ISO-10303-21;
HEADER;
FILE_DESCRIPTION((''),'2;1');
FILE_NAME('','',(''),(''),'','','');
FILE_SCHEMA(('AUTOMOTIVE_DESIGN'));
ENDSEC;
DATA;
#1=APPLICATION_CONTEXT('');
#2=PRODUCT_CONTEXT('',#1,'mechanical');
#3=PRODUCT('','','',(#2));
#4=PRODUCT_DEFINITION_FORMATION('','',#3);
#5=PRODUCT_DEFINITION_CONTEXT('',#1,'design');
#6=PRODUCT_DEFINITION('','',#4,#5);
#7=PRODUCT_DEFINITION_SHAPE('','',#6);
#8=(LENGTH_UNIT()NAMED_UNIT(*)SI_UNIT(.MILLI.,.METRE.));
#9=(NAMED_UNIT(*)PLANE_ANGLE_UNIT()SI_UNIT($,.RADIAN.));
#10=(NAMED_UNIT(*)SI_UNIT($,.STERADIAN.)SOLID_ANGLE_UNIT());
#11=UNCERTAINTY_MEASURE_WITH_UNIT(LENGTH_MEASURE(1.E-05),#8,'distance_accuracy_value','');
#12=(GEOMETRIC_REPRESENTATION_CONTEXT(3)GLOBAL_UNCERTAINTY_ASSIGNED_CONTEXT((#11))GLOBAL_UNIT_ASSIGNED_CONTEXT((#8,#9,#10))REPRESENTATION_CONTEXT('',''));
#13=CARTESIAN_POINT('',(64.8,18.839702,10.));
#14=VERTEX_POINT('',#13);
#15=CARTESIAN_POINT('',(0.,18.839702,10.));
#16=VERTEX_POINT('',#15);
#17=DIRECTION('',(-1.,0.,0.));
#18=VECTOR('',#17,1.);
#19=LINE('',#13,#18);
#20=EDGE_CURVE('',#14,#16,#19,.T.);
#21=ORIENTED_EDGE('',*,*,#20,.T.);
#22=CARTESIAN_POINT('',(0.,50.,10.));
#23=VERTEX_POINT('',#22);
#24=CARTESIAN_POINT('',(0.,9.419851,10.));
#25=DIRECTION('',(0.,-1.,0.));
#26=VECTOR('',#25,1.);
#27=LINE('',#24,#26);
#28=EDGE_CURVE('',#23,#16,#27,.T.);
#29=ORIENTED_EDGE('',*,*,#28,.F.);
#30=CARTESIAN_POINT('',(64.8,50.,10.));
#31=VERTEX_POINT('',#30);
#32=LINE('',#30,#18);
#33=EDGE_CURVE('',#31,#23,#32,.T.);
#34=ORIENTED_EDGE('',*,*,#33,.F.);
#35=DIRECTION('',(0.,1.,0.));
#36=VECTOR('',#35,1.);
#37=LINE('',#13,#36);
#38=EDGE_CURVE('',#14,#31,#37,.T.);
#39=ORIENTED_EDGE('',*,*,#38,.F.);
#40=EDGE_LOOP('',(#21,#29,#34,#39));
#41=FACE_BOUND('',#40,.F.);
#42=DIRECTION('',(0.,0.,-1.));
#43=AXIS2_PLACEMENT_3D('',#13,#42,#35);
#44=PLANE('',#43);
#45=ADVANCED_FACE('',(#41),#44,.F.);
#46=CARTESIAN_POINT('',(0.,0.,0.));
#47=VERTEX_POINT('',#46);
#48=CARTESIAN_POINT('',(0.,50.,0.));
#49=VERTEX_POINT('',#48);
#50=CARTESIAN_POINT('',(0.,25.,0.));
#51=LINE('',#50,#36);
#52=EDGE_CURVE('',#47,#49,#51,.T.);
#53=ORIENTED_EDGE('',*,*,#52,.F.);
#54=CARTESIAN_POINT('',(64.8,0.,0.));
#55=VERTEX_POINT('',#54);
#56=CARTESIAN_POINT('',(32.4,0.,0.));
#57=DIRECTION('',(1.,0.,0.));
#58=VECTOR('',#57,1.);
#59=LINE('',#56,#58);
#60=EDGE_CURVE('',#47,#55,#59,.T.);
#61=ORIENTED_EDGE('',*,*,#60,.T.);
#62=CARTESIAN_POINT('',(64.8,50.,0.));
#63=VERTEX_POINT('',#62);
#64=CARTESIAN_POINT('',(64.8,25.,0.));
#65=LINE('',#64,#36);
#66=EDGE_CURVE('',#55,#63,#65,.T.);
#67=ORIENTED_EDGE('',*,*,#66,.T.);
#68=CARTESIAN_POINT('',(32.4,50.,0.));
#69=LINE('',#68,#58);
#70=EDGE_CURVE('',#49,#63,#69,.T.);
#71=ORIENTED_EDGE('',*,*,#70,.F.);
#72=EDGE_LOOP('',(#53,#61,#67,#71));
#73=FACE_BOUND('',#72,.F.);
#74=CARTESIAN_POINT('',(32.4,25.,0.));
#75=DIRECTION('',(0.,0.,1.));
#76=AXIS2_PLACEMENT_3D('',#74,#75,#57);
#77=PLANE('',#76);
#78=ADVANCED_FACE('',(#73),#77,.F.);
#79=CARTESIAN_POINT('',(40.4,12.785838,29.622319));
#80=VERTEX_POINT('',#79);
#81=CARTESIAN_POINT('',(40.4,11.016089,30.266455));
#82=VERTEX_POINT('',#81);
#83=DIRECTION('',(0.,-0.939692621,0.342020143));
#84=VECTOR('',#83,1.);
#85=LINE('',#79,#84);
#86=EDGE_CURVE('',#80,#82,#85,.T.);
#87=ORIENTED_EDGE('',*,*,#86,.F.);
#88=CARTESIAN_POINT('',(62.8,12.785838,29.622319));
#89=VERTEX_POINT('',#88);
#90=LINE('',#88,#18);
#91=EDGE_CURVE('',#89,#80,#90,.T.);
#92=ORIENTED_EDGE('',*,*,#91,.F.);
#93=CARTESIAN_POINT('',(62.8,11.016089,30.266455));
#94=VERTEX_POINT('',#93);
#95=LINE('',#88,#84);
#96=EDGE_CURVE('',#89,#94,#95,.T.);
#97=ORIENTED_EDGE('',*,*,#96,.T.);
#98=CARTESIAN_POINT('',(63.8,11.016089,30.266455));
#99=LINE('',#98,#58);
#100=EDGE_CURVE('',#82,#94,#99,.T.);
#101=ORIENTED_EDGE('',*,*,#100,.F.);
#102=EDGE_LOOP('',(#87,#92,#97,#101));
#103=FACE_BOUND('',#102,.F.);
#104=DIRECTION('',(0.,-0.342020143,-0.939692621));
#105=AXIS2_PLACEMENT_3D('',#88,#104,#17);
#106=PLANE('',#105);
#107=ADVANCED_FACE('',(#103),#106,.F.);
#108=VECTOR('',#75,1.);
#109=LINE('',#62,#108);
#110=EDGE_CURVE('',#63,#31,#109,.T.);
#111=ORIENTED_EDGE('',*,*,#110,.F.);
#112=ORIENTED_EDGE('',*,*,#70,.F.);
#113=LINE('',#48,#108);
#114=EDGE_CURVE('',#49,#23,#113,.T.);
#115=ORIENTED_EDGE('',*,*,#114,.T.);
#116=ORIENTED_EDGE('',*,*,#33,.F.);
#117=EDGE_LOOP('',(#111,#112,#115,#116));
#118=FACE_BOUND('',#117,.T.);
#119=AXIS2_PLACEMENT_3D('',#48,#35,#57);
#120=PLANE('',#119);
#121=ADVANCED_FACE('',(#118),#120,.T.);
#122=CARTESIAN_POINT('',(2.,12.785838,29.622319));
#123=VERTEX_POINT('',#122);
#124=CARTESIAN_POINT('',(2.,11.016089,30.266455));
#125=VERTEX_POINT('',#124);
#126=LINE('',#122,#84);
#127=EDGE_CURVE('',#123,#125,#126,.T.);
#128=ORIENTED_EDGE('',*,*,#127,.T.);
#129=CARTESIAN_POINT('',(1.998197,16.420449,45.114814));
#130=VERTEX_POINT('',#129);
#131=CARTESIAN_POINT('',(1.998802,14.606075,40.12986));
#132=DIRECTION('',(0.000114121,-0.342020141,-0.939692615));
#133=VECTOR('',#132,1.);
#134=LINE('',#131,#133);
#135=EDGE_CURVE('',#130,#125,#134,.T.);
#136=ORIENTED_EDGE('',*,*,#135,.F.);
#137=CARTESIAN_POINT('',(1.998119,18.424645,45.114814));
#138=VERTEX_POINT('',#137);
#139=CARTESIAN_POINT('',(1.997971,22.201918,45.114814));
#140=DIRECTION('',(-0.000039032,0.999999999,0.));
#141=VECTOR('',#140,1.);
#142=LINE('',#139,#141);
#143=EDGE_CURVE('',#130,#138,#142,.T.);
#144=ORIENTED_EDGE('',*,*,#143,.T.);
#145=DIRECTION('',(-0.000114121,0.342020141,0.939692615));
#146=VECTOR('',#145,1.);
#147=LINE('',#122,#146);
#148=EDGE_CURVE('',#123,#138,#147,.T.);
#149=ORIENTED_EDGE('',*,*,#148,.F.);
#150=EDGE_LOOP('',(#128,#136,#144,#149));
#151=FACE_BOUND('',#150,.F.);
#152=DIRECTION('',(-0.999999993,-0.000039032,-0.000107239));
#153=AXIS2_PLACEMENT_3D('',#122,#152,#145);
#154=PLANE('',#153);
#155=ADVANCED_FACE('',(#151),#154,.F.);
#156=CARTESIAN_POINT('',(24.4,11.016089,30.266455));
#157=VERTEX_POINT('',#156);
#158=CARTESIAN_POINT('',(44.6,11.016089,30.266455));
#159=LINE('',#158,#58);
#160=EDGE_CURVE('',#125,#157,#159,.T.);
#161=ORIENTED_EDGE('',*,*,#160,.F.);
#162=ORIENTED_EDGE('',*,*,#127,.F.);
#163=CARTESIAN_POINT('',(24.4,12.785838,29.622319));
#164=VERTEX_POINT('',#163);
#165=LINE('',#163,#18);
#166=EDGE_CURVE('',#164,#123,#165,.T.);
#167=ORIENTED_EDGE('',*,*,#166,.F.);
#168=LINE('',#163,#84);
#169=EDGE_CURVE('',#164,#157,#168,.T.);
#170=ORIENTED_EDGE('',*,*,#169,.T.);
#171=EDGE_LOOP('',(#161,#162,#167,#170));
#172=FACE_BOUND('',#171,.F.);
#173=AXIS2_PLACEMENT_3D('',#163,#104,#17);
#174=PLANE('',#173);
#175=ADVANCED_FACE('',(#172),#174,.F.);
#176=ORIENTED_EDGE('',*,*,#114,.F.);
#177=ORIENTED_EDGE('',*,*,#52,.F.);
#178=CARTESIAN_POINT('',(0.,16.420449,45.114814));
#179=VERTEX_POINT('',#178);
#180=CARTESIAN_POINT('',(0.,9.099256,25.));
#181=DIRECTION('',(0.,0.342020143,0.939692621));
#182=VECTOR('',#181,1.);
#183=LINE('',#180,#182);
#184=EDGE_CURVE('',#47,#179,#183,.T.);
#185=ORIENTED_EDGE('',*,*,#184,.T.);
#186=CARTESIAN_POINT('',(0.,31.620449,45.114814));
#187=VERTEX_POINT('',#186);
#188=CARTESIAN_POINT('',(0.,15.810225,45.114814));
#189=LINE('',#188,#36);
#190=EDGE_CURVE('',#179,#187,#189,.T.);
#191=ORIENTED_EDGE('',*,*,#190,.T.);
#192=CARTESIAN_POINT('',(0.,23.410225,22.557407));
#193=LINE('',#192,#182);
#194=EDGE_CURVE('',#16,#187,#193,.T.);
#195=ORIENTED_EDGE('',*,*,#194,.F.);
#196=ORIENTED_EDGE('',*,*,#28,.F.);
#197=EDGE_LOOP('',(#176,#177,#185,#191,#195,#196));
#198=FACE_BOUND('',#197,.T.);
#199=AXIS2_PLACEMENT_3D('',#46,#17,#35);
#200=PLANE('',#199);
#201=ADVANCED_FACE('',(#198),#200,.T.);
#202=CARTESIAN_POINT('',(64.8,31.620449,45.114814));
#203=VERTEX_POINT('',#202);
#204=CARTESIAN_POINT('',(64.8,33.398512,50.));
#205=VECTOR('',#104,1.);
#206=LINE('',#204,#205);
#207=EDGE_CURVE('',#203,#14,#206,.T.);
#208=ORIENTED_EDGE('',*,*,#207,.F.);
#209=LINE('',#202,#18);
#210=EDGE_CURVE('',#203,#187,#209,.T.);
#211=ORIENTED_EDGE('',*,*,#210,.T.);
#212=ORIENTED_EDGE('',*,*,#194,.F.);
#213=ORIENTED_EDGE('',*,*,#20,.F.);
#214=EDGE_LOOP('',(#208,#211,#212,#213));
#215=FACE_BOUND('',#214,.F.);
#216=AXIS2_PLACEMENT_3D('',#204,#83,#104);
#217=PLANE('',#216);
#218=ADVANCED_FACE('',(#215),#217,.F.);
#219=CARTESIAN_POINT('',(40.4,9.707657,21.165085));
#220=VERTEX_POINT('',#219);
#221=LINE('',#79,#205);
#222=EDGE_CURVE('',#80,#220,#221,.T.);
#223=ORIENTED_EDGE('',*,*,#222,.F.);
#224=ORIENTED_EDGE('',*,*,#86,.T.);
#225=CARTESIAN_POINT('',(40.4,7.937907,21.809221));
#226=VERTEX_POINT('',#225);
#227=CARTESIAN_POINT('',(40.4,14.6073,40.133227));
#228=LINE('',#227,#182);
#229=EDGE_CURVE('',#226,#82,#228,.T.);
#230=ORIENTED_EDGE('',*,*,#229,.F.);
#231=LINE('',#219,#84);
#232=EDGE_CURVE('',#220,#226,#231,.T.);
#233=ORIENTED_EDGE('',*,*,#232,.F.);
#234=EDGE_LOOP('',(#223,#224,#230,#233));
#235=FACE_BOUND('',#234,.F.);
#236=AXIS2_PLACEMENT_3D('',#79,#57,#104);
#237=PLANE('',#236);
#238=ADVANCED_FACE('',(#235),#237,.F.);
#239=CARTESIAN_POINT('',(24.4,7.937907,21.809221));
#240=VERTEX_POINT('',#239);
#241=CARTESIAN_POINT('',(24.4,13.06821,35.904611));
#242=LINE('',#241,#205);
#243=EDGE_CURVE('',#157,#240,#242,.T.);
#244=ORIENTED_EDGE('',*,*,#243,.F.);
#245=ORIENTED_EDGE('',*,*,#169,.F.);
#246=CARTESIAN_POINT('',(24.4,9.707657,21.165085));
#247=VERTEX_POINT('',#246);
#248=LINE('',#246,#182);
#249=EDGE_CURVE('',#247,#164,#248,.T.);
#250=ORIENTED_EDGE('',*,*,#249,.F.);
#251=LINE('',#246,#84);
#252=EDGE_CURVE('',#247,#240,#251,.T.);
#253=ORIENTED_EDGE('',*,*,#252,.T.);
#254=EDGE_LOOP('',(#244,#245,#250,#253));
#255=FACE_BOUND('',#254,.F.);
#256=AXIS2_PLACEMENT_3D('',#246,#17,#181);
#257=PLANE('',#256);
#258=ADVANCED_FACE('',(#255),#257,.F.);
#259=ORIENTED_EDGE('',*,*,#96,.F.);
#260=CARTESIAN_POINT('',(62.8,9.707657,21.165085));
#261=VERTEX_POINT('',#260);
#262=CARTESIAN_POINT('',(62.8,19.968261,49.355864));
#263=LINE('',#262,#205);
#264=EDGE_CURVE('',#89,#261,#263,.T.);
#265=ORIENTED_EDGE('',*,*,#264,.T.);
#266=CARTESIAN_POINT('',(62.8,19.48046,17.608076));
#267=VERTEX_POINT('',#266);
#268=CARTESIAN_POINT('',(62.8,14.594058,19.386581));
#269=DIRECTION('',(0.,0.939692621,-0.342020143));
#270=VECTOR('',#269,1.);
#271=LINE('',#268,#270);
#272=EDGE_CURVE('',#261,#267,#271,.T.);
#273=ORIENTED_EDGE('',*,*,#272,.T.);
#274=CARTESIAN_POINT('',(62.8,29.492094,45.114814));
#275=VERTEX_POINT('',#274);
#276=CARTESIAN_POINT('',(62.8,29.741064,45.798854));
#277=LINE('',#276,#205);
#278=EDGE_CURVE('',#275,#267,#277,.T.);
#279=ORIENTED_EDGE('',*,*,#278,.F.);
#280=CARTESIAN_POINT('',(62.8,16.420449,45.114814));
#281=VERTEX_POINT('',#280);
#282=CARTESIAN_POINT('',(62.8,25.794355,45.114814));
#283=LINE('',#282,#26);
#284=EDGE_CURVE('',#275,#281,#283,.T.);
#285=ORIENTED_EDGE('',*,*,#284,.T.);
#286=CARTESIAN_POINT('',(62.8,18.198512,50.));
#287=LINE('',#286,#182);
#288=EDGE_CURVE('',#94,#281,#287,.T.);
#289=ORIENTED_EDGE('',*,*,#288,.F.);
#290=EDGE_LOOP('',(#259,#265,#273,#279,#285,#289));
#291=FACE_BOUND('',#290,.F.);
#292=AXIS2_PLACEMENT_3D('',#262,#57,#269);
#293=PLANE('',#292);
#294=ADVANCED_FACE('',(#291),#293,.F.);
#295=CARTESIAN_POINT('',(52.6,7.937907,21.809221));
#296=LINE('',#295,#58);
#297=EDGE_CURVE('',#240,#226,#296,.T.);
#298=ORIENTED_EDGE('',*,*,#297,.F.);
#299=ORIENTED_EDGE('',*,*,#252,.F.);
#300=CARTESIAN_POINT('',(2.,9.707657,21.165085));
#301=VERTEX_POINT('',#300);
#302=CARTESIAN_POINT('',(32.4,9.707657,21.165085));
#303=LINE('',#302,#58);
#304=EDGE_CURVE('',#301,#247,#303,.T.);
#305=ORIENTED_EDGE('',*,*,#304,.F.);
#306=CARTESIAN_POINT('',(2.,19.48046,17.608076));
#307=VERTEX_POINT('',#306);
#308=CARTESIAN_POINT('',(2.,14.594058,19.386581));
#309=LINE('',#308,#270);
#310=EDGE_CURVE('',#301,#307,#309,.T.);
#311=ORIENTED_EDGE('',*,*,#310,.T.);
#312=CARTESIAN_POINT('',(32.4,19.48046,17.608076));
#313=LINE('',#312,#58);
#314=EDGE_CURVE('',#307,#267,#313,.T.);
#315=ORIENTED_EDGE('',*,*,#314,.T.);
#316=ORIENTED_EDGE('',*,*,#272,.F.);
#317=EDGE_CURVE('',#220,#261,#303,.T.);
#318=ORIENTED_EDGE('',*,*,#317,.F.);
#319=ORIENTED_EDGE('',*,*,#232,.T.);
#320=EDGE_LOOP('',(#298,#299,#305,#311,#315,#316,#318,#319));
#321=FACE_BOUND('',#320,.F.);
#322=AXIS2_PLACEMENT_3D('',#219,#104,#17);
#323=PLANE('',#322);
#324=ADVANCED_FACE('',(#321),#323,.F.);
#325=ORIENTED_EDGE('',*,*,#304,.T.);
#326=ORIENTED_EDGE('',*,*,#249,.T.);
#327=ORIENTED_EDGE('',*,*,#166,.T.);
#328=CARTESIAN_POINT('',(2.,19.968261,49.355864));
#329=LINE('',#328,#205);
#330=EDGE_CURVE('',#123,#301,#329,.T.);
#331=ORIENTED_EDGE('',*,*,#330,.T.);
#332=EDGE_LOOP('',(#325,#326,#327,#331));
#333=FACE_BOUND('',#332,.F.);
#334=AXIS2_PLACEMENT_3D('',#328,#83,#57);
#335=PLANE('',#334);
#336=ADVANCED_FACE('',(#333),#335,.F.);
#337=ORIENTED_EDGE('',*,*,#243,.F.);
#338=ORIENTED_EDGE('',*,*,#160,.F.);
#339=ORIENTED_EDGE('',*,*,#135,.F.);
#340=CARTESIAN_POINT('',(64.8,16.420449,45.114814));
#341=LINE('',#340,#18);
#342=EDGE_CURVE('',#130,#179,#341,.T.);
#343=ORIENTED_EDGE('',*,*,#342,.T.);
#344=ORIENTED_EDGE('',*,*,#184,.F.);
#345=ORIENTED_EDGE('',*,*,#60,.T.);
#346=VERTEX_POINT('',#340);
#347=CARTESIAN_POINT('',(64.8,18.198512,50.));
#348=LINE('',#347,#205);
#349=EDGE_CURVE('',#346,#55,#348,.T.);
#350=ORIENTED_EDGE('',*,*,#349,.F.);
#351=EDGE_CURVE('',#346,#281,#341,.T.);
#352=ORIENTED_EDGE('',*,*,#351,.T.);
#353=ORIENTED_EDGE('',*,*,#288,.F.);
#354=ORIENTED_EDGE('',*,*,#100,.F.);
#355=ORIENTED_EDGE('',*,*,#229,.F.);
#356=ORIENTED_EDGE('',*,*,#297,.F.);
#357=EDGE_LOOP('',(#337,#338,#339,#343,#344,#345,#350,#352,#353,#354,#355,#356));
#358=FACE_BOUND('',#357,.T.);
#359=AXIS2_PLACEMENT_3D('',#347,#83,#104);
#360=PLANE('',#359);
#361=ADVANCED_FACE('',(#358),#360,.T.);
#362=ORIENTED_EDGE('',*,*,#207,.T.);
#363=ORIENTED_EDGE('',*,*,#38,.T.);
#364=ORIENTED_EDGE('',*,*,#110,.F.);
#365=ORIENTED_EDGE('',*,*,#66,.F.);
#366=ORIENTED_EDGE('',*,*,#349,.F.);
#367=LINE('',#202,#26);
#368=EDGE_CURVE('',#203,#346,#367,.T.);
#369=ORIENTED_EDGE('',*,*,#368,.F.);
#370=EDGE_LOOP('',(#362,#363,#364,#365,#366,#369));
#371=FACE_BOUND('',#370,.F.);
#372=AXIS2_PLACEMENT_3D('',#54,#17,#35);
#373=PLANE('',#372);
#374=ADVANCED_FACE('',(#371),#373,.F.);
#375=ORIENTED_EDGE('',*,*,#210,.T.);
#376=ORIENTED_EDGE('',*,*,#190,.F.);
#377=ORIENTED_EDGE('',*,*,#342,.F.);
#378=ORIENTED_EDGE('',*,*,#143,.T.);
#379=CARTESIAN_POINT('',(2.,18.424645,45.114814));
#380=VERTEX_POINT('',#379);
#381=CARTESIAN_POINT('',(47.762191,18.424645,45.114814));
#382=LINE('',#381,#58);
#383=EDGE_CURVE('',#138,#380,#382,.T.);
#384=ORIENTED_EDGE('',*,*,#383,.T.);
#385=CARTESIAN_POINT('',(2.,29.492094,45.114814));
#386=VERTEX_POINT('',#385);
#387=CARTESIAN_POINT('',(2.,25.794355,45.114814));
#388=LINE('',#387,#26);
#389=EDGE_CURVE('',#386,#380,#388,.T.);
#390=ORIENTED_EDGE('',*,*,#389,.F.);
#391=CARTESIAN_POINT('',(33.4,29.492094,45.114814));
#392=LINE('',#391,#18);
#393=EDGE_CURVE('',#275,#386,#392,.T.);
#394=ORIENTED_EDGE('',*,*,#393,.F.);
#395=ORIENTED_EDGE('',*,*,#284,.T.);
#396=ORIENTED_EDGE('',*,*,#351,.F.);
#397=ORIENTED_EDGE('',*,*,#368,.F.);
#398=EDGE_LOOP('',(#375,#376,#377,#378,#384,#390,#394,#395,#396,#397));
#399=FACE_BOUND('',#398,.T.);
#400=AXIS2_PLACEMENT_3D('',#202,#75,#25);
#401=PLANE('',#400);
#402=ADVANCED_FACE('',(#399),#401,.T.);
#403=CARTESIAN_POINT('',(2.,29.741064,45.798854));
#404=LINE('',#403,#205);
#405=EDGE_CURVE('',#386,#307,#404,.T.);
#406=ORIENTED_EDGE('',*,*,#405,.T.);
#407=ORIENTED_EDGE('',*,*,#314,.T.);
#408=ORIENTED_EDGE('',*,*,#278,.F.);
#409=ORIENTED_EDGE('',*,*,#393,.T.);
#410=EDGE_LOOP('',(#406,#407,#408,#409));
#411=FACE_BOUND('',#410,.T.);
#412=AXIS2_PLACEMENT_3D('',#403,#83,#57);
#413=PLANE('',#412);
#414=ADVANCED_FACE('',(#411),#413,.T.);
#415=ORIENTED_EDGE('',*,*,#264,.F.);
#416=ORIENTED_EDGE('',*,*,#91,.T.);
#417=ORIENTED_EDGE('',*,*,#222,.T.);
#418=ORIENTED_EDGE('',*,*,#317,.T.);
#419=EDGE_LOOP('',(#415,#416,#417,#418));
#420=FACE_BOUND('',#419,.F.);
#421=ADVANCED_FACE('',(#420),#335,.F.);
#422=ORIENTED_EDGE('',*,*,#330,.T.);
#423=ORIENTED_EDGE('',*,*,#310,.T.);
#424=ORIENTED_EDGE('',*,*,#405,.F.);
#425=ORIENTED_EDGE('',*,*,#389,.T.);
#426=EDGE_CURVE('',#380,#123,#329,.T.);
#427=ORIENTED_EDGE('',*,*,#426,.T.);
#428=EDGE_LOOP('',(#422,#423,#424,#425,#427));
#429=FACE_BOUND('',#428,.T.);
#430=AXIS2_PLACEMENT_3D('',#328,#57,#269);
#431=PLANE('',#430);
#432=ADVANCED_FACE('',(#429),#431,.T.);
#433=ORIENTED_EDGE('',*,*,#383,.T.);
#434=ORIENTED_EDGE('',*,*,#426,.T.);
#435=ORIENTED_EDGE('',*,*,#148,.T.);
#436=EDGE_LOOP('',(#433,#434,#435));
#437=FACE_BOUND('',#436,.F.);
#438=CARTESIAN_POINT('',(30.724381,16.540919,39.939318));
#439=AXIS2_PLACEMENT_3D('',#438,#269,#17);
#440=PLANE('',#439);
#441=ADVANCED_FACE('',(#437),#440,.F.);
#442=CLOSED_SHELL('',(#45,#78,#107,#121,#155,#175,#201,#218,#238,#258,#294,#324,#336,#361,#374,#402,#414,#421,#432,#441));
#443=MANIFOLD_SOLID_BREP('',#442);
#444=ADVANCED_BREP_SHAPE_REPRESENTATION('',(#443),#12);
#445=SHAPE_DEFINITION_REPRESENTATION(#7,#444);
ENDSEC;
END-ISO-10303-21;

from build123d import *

# Parameters (mm, degrees)
SKETCH_W        = 64.8
SKETCH_H        = 50
PAD_DEPTH       = 50
POCKET_DEPTH    = 64.801
POCKET001_DEPTH = 64.801
POCKET002_DEPTH = 64.801
SKETCH004_W     = 60.8
SKETCH004_H     = 10.4
POCKET003_DEPTH = 30
POCKET004_DEPTH = 18.9853350022
POCKET005_DEPTH = 64.801


with BuildPart() as part:
    # Sketch → Pad (new body)
    with BuildSketch(Plane.XY):
        with Locations((32.4, 25)):
            Rectangle(SKETCH_W, SKETCH_H)
    extrude(amount=PAD_DEPTH)

    # Sketch001 → Pocket (cut, through all)
    with BuildSketch(Plane.YZ.offset(64.8)):
        Polygon((0, 0), (0, 50), (18.1985117133, 50), align=None)
    extrude(amount=-POCKET_DEPTH, mode=Mode.SUBTRACT)

    # Sketch002 → Pocket001 (cut, through all)
    with BuildSketch(Plane.YZ.offset(64.8)):
        Polygon((33.3985117133, 50), (18.8397023427, 10), (50, 10), (50, 50), align=None)
    extrude(amount=-POCKET001_DEPTH, mode=Mode.SUBTRACT)

    # Sketch003 → Pocket002 (cut, through all)
    with BuildSketch(Plane.YZ.offset(64.8)):
        Polygon((18.1985117133, 50), (31.620449481, 45.1148141664), (33.3985117133, 50), align=None)
    extrude(amount=-POCKET002_DEPTH, mode=Mode.SUBTRACT)

    # Sketch004 → Pocket003 (cut)
    with BuildSketch(Plane(origin=(0, 18.1985117133, 50), x_dir=(1, 0, 0), z_dir=(0, 0.3420201433, 0.9396926208))):
        with Locations((32.4, 7.0833278359)):
            Rectangle(SKETCH004_W, SKETCH004_H)
    extrude(amount=-POCKET003_DEPTH, mode=Mode.SUBTRACT)

    # Sketch005 → Pocket004 (cut, through all)
    with BuildSketch(Plane(origin=(0, 1.76974927, -0.6441360564), x_dir=(-1, 0, 0), z_dir=(0, 0.9396926208, -0.3420201433))):
        Polygon((-62.8, 32.2088886238), (-40.4, 32.2088886238), (-40.4, 23.2088886238), (-24.4, 23.2088886238), (-24.4, 32.2088886238), (-2, 32.2088886238), (-1.996389, 63.8506663486), (-62.8, 53.2088886238), align=None)
    extrude(amount=-POCKET004_DEPTH, mode=Mode.SUBTRACT)

    # Sketch006 → Pocket005 (cut, through all)
    with BuildSketch(Plane.YZ.offset(64.8)):
        Polygon((31.620449481, 45.1148141664), (16.420449481, 45.1148141664), (18.1985117133, 50), align=None)
    extrude(amount=-POCKET005_DEPTH, mode=Mode.SUBTRACT)


solid = part.part
